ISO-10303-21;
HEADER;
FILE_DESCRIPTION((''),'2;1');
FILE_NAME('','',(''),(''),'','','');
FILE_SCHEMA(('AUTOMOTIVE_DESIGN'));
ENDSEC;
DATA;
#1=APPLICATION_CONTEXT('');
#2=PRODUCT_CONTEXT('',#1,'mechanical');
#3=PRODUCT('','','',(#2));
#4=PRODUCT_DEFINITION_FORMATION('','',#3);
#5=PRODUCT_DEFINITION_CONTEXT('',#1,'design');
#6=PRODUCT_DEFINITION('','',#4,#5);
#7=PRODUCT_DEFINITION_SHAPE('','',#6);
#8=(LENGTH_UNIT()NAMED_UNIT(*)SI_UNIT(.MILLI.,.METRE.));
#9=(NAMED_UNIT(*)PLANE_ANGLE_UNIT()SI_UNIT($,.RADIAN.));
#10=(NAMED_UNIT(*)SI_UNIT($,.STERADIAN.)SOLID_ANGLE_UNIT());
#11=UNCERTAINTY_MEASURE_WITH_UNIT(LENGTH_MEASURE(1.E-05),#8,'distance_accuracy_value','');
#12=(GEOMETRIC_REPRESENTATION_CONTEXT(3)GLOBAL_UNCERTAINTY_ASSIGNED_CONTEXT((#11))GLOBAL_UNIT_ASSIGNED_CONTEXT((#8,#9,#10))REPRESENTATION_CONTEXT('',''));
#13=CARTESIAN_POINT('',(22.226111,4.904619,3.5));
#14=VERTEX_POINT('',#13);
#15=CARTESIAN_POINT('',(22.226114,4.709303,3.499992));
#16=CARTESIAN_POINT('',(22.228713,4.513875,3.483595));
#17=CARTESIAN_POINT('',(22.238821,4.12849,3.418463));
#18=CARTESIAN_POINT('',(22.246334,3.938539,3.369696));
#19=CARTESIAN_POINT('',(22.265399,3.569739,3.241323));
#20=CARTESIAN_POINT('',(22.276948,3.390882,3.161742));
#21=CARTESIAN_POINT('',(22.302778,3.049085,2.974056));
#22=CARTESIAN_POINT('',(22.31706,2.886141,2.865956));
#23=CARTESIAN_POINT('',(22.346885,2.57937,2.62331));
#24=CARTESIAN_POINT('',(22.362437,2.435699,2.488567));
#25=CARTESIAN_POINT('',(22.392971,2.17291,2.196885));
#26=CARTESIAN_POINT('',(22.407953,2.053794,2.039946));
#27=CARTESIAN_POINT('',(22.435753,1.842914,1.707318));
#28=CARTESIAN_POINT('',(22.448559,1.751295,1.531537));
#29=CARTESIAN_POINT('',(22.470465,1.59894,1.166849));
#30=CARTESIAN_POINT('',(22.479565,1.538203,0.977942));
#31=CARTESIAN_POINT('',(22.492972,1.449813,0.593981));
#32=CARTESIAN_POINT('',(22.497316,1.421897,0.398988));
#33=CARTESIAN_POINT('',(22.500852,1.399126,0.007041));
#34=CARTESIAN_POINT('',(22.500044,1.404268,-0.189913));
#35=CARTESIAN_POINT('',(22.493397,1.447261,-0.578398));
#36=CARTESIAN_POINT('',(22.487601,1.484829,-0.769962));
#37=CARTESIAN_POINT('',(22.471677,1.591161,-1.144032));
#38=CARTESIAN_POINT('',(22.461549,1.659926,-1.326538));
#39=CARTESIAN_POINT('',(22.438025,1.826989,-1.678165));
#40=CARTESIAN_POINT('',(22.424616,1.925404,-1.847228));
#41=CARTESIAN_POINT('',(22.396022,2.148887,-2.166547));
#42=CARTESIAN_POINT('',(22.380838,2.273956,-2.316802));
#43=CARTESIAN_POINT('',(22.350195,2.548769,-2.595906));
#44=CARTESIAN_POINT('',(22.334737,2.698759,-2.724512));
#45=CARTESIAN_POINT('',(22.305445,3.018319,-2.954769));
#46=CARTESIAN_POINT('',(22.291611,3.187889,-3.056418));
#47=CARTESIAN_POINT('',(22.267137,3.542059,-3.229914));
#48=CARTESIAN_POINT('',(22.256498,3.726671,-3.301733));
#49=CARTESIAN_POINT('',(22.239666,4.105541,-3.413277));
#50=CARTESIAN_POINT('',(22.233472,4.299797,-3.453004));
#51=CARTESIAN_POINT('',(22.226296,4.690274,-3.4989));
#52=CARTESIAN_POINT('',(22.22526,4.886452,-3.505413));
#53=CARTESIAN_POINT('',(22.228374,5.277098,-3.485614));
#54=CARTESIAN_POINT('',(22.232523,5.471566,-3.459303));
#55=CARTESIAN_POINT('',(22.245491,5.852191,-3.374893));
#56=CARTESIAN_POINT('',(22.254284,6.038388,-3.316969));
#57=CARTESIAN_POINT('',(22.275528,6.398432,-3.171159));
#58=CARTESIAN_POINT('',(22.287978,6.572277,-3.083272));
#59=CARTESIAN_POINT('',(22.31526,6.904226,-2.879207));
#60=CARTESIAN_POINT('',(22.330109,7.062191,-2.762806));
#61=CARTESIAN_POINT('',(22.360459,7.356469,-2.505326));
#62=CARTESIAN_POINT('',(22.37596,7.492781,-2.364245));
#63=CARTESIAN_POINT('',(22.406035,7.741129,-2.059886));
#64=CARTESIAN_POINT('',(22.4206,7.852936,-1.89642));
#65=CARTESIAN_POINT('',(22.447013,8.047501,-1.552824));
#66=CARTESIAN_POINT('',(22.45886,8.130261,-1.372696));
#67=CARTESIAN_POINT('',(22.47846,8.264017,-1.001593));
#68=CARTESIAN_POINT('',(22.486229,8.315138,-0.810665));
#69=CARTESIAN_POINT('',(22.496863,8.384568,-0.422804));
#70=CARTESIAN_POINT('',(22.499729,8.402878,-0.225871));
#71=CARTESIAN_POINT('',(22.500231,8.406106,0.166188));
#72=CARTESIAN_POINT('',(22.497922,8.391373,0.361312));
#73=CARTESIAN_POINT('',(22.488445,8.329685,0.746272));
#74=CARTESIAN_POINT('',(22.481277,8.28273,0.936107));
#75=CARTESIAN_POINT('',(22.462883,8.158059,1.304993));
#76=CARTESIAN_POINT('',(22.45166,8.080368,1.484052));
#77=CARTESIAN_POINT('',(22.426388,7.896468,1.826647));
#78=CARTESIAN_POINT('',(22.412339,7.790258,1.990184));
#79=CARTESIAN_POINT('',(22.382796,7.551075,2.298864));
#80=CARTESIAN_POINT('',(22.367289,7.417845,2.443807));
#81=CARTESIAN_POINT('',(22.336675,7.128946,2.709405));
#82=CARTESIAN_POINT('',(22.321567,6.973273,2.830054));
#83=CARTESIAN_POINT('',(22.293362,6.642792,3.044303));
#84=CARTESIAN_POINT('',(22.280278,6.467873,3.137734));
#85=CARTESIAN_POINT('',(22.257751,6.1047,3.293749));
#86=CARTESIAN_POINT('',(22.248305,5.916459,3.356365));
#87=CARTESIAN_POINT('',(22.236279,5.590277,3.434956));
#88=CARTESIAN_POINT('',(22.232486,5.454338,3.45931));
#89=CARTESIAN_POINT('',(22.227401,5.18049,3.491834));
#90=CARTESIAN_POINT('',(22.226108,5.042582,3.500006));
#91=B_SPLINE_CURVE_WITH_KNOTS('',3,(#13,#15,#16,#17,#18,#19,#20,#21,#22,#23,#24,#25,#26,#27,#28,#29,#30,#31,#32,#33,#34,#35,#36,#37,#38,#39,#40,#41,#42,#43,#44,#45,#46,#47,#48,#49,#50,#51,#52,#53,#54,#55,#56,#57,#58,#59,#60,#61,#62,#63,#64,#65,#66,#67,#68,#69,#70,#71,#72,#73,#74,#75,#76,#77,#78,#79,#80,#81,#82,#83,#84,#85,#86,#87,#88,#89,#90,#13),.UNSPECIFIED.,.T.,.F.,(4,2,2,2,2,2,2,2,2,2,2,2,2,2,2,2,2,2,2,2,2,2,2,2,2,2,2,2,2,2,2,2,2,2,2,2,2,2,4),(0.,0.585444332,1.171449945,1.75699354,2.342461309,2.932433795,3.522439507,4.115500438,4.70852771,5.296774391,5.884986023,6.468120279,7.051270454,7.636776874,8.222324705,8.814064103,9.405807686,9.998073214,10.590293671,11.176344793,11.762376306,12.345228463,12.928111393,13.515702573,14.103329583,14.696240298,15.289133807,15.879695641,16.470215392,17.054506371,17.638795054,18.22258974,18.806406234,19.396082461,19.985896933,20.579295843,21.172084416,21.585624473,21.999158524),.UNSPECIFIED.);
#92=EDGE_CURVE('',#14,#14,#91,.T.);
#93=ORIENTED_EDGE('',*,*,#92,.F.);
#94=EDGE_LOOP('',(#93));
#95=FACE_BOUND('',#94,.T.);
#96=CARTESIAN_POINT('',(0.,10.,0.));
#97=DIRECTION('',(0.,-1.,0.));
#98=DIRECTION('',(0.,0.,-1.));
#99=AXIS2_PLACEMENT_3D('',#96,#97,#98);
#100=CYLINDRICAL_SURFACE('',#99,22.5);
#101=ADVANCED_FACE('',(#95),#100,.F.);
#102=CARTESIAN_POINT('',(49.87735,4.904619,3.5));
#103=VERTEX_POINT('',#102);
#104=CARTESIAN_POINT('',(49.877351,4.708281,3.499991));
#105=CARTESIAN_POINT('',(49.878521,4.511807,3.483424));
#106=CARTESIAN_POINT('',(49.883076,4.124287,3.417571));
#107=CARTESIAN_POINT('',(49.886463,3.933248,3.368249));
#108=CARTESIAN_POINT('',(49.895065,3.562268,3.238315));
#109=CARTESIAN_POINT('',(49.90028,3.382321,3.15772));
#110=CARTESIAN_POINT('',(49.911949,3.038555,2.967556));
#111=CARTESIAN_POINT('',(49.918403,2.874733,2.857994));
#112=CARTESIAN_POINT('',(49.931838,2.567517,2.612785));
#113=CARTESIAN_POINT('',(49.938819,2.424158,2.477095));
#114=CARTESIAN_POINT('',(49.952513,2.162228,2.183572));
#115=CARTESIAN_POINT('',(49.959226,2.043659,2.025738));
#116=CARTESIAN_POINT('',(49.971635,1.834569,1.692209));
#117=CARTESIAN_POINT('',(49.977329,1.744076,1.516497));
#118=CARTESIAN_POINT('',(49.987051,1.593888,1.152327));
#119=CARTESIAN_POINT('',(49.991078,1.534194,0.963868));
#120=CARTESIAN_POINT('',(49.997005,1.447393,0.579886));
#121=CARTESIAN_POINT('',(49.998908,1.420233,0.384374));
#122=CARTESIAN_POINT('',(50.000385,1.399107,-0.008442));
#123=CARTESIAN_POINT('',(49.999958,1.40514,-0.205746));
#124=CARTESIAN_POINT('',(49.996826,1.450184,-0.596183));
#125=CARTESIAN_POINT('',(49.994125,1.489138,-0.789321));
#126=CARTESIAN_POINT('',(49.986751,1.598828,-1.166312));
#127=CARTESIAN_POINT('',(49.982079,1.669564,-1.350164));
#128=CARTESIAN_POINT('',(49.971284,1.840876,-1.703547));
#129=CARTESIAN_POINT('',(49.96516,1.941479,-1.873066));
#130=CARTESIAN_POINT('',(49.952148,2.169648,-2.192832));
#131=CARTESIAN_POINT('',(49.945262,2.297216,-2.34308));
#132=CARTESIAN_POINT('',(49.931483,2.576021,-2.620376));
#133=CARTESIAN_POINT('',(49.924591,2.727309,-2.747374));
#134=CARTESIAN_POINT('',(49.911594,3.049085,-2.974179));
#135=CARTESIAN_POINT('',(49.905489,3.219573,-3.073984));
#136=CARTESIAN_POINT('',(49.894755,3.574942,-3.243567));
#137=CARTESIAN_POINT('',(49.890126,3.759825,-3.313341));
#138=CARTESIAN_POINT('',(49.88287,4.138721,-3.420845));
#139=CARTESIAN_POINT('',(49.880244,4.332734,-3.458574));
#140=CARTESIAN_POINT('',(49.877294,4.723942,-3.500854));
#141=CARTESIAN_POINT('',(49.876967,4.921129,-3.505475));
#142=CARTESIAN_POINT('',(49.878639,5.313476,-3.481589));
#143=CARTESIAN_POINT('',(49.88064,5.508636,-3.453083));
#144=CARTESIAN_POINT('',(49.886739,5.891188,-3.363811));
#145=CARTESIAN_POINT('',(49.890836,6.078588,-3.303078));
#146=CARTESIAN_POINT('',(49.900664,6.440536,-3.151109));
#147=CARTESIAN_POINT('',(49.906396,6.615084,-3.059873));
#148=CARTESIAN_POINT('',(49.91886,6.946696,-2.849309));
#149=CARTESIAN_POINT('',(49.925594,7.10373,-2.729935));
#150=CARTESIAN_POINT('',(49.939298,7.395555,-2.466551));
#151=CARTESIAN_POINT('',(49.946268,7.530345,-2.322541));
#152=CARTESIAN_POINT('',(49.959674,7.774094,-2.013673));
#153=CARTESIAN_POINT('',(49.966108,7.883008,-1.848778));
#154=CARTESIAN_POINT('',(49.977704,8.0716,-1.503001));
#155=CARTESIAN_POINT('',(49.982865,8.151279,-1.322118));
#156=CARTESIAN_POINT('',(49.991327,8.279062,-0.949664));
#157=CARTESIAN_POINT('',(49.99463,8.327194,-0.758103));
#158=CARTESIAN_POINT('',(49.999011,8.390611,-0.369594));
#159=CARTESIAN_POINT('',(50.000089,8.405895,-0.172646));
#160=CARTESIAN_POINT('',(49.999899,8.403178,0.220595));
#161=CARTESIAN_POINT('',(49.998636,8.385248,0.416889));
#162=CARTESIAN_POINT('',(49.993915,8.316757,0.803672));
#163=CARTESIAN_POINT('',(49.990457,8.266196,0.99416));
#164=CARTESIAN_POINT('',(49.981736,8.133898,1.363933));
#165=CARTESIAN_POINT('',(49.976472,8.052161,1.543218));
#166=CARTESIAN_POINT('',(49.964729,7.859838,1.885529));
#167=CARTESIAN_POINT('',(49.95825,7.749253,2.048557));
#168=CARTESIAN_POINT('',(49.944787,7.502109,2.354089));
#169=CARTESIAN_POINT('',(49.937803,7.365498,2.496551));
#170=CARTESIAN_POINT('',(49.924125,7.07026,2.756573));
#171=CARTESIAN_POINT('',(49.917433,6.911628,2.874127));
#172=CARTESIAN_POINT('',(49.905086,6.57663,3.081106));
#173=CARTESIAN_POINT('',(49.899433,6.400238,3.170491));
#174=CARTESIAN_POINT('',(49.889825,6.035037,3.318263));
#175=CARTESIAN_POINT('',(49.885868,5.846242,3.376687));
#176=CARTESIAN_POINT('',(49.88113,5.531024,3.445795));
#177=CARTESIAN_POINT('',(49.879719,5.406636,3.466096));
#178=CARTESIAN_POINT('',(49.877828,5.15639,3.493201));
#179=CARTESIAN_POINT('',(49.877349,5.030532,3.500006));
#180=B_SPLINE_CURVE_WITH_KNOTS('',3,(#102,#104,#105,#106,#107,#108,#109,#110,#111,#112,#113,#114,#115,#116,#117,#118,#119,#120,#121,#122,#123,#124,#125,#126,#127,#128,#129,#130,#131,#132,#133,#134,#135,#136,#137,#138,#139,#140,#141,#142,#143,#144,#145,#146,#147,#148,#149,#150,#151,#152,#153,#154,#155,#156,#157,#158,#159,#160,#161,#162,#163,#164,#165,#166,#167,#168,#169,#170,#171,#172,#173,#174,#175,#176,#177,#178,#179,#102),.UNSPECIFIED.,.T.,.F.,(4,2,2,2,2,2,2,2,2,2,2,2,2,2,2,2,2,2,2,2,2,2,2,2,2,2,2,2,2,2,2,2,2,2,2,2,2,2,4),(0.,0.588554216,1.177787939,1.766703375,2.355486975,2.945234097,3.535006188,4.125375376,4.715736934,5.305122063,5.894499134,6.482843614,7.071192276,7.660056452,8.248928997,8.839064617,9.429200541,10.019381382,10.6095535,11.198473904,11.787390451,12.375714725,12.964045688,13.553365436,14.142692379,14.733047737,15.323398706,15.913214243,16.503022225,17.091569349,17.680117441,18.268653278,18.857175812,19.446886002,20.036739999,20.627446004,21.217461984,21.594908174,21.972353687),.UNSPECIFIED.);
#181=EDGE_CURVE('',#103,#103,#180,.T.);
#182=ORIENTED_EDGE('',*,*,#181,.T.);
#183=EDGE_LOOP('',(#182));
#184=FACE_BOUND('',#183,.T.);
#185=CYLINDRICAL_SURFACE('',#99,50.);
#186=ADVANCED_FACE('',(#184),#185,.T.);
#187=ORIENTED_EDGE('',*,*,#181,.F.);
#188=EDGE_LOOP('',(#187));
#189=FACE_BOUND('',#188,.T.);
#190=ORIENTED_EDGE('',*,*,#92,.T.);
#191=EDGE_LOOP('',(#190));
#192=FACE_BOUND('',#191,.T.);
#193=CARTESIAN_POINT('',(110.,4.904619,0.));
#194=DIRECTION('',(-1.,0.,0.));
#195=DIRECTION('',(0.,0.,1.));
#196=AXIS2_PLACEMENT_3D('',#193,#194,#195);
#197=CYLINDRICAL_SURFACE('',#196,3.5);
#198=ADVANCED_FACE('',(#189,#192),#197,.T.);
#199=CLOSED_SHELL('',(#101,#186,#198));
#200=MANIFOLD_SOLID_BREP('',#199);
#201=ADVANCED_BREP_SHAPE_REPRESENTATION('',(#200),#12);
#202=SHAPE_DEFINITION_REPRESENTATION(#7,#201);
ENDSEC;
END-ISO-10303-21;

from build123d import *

# Parameters (mm, degrees)
SKETCH1_R           = 50
SKETCH1_R_2         = 22.5
BOSS_EXTRUDE6_DEPTH = 10
SKETCH2_R           = 3.5
BOSS_EXTRUDE7_DEPTH = 100


with BuildPart() as part:
    # Sketch1 → Boss-Extrude6 (new body)
    with BuildSketch(Plane(origin=(0, 0, 0), x_dir=(1, 0, 0), z_dir=(0, 1, 0))):
        Circle(SKETCH1_R)
        Circle(SKETCH1_R_2, mode=Mode.SUBTRACT)
    extrude(amount=BOSS_EXTRUDE6_DEPTH)


with BuildPart() as body_2:
    # Sketch2 → Boss-Extrude7 (new body)
    with BuildSketch(Plane(origin=(10, 0, 0), x_dir=(0, 0, -1), z_dir=(1, 0, 0))):
        with Locations((0, 4.904618841)):
            Circle(SKETCH2_R)
    extrude(amount=BOSS_EXTRUDE7_DEPTH)


with BuildPart() as part_1:
    add(part.part)

    # Combine1: intersect body 2
    add(body_2.part, mode=Mode.INTERSECT)


solid = part_1.part
